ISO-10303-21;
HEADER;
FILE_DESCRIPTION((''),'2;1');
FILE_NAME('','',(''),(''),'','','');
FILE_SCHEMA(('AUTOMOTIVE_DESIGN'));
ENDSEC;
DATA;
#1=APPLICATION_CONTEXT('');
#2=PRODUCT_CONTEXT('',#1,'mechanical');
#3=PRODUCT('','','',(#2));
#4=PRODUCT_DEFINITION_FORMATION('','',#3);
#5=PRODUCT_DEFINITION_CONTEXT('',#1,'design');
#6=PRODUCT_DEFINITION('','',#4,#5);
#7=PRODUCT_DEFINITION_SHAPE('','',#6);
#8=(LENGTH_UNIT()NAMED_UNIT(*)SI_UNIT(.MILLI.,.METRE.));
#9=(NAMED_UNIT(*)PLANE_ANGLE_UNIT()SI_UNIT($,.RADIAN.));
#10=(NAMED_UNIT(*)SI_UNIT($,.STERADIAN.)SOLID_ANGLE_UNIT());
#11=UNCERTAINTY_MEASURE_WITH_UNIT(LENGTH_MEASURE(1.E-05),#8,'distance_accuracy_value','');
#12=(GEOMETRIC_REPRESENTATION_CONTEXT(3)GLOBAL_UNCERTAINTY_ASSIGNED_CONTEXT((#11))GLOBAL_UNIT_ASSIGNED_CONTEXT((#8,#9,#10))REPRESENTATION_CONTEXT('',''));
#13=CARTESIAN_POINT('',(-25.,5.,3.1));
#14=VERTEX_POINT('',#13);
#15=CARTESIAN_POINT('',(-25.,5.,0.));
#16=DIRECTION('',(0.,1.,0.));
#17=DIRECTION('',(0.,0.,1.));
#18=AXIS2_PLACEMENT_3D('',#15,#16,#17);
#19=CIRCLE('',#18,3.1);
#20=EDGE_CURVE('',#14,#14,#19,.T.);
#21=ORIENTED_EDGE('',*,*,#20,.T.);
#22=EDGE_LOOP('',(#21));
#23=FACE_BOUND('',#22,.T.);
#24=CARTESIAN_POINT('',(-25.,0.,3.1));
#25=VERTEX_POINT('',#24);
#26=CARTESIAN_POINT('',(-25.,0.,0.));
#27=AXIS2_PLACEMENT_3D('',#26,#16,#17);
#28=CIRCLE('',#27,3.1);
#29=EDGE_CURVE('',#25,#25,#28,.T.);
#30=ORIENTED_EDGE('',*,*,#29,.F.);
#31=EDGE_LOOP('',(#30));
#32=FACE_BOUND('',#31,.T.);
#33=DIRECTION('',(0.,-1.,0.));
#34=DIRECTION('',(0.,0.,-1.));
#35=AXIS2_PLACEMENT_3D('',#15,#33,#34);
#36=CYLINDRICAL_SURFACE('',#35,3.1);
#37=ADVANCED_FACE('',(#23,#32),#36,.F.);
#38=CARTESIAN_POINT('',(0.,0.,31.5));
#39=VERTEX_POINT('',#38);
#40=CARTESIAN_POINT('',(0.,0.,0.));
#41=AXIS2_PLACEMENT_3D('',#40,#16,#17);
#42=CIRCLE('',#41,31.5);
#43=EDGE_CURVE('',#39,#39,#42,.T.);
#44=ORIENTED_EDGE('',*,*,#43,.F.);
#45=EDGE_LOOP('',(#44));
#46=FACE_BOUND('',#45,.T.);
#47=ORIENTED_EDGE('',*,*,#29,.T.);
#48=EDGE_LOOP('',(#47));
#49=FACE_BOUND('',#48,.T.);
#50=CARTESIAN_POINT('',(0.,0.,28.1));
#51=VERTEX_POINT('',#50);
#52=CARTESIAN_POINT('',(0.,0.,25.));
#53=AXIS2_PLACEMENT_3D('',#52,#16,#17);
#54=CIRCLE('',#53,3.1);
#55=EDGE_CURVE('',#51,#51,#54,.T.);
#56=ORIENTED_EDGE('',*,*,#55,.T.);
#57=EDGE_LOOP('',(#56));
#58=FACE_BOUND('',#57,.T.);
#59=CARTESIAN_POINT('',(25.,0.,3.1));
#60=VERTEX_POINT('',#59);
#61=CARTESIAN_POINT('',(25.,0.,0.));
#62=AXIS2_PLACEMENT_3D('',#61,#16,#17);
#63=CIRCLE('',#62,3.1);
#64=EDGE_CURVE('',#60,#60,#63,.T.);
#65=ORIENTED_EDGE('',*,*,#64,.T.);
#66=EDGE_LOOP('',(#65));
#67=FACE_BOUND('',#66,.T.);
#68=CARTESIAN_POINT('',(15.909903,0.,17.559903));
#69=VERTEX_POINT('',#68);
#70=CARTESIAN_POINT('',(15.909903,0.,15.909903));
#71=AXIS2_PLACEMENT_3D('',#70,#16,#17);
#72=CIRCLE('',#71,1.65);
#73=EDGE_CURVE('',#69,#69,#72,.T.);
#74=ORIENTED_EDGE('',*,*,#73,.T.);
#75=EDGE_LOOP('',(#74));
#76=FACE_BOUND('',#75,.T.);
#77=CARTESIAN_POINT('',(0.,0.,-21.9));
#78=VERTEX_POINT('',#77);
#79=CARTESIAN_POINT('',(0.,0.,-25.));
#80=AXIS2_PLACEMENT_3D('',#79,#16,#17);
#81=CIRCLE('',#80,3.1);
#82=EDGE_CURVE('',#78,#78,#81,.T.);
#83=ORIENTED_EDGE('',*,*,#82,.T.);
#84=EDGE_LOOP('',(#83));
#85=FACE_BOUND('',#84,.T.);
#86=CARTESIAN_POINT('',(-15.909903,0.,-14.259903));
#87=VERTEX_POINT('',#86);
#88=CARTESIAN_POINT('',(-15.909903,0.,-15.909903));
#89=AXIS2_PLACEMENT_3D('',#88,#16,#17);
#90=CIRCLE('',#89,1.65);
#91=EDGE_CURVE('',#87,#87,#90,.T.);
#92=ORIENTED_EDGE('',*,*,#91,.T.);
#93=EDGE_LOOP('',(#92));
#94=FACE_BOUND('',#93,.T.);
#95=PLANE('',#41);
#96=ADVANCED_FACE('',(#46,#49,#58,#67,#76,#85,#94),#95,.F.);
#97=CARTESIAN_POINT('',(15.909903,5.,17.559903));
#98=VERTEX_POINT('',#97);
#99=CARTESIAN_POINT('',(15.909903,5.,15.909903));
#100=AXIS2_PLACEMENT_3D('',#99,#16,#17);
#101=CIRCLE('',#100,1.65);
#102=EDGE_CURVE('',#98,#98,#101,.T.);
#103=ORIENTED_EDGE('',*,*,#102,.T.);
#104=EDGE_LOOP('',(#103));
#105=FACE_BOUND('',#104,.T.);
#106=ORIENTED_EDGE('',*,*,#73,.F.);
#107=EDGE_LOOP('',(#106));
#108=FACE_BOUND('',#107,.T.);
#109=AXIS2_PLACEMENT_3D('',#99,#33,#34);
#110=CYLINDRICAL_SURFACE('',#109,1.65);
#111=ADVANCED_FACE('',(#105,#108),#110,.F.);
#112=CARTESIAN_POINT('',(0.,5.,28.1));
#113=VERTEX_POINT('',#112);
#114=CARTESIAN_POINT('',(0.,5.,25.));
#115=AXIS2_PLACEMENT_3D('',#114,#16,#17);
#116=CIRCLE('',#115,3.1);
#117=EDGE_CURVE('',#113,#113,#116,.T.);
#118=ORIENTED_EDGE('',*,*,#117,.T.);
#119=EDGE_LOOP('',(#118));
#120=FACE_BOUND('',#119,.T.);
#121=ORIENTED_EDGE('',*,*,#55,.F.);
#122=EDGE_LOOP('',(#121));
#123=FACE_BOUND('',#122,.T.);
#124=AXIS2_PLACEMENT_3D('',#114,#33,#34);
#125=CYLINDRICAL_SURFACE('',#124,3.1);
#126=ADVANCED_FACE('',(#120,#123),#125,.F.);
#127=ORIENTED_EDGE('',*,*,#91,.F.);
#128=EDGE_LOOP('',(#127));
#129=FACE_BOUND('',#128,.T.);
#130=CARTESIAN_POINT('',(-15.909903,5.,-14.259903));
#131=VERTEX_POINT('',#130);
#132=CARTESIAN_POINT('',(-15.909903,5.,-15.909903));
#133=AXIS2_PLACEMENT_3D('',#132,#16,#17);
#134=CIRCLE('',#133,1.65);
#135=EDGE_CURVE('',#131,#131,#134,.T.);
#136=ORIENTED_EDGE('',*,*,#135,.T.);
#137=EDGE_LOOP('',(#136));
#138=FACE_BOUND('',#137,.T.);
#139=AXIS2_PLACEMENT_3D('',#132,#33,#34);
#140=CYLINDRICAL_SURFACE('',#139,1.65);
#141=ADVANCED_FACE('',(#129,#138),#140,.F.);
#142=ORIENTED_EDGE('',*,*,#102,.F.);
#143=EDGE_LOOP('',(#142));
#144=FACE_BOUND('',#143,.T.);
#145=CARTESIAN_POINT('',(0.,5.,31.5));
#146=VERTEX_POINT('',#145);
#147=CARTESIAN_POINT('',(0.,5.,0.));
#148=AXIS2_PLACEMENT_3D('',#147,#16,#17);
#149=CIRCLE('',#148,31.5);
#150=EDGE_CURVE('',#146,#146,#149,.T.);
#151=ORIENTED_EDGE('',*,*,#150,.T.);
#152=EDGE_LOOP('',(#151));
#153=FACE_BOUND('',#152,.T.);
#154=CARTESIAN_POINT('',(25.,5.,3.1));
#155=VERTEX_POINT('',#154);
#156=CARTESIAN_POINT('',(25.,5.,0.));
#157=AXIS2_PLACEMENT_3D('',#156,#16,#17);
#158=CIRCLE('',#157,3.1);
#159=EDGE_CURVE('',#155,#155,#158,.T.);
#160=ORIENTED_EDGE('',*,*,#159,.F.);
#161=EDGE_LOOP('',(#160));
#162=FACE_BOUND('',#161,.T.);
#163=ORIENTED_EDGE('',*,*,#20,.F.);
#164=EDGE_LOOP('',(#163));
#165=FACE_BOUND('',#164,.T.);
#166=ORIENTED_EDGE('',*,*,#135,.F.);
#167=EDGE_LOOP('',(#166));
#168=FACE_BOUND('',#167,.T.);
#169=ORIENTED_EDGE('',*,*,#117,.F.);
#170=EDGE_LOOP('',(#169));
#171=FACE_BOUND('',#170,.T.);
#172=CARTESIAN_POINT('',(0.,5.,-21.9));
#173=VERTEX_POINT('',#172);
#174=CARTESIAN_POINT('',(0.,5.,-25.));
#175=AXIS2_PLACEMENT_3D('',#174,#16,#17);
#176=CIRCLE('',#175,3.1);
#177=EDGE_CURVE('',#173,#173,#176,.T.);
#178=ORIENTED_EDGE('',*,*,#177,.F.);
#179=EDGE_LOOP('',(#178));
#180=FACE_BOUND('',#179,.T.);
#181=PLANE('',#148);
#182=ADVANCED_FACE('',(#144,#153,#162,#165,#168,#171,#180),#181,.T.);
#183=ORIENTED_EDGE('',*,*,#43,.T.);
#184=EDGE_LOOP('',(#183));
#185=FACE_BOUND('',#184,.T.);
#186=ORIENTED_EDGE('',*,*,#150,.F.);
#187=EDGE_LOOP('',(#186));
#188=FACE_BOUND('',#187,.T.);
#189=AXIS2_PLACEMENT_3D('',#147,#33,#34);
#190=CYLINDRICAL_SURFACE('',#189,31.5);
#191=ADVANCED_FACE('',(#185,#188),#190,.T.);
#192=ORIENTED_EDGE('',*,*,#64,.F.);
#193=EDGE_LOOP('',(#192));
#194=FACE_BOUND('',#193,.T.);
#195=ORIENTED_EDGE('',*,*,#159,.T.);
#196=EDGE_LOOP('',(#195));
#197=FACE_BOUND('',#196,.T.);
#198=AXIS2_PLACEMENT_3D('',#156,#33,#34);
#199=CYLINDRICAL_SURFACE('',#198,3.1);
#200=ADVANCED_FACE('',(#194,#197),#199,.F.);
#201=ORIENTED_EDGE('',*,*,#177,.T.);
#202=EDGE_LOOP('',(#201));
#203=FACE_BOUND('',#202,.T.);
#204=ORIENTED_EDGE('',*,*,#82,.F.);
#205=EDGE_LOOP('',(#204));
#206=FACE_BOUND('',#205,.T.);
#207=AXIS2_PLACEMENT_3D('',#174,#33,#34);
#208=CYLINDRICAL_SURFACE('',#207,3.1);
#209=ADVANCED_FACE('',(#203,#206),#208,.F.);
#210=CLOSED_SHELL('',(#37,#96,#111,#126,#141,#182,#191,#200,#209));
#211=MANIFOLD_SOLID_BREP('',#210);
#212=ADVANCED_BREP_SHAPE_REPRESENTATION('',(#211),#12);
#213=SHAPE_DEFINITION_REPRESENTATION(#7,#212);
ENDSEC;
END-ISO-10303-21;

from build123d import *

# Parameters (mm, degrees)
SKETCH1_R           = 31.5
SKETCH1_R_2         = 3.1
SKETCH1_R_3         = 1.65
BOSS_EXTRUDE1_DEPTH = 5


with BuildPart() as part:
    # Sketch1 → Boss-Extrude1 (new body)
    with BuildSketch(Plane(origin=(0, 0, 0), x_dir=(1, 0, 0), z_dir=(0, 1, 0))):
        Circle(SKETCH1_R)
        with Locations((0, 25)):
            Circle(SKETCH1_R_2, mode=Mode.SUBTRACT)
        with Locations((25, 0)):
            Circle(SKETCH1_R_2, mode=Mode.SUBTRACT)
        with Locations((0, -25)):
            Circle(SKETCH1_R_2, mode=Mode.SUBTRACT)
        with Locations((-25, 0)):
            Circle(SKETCH1_R_2, mode=Mode.SUBTRACT)
        with Locations((-15.909902577, 15.909902577)):
            Circle(SKETCH1_R_3, mode=Mode.SUBTRACT)
        with Locations((15.909902577, -15.909902577)):
            Circle(SKETCH1_R_3, mode=Mode.SUBTRACT)
    extrude(amount=BOSS_EXTRUDE1_DEPTH)


solid = part.part
